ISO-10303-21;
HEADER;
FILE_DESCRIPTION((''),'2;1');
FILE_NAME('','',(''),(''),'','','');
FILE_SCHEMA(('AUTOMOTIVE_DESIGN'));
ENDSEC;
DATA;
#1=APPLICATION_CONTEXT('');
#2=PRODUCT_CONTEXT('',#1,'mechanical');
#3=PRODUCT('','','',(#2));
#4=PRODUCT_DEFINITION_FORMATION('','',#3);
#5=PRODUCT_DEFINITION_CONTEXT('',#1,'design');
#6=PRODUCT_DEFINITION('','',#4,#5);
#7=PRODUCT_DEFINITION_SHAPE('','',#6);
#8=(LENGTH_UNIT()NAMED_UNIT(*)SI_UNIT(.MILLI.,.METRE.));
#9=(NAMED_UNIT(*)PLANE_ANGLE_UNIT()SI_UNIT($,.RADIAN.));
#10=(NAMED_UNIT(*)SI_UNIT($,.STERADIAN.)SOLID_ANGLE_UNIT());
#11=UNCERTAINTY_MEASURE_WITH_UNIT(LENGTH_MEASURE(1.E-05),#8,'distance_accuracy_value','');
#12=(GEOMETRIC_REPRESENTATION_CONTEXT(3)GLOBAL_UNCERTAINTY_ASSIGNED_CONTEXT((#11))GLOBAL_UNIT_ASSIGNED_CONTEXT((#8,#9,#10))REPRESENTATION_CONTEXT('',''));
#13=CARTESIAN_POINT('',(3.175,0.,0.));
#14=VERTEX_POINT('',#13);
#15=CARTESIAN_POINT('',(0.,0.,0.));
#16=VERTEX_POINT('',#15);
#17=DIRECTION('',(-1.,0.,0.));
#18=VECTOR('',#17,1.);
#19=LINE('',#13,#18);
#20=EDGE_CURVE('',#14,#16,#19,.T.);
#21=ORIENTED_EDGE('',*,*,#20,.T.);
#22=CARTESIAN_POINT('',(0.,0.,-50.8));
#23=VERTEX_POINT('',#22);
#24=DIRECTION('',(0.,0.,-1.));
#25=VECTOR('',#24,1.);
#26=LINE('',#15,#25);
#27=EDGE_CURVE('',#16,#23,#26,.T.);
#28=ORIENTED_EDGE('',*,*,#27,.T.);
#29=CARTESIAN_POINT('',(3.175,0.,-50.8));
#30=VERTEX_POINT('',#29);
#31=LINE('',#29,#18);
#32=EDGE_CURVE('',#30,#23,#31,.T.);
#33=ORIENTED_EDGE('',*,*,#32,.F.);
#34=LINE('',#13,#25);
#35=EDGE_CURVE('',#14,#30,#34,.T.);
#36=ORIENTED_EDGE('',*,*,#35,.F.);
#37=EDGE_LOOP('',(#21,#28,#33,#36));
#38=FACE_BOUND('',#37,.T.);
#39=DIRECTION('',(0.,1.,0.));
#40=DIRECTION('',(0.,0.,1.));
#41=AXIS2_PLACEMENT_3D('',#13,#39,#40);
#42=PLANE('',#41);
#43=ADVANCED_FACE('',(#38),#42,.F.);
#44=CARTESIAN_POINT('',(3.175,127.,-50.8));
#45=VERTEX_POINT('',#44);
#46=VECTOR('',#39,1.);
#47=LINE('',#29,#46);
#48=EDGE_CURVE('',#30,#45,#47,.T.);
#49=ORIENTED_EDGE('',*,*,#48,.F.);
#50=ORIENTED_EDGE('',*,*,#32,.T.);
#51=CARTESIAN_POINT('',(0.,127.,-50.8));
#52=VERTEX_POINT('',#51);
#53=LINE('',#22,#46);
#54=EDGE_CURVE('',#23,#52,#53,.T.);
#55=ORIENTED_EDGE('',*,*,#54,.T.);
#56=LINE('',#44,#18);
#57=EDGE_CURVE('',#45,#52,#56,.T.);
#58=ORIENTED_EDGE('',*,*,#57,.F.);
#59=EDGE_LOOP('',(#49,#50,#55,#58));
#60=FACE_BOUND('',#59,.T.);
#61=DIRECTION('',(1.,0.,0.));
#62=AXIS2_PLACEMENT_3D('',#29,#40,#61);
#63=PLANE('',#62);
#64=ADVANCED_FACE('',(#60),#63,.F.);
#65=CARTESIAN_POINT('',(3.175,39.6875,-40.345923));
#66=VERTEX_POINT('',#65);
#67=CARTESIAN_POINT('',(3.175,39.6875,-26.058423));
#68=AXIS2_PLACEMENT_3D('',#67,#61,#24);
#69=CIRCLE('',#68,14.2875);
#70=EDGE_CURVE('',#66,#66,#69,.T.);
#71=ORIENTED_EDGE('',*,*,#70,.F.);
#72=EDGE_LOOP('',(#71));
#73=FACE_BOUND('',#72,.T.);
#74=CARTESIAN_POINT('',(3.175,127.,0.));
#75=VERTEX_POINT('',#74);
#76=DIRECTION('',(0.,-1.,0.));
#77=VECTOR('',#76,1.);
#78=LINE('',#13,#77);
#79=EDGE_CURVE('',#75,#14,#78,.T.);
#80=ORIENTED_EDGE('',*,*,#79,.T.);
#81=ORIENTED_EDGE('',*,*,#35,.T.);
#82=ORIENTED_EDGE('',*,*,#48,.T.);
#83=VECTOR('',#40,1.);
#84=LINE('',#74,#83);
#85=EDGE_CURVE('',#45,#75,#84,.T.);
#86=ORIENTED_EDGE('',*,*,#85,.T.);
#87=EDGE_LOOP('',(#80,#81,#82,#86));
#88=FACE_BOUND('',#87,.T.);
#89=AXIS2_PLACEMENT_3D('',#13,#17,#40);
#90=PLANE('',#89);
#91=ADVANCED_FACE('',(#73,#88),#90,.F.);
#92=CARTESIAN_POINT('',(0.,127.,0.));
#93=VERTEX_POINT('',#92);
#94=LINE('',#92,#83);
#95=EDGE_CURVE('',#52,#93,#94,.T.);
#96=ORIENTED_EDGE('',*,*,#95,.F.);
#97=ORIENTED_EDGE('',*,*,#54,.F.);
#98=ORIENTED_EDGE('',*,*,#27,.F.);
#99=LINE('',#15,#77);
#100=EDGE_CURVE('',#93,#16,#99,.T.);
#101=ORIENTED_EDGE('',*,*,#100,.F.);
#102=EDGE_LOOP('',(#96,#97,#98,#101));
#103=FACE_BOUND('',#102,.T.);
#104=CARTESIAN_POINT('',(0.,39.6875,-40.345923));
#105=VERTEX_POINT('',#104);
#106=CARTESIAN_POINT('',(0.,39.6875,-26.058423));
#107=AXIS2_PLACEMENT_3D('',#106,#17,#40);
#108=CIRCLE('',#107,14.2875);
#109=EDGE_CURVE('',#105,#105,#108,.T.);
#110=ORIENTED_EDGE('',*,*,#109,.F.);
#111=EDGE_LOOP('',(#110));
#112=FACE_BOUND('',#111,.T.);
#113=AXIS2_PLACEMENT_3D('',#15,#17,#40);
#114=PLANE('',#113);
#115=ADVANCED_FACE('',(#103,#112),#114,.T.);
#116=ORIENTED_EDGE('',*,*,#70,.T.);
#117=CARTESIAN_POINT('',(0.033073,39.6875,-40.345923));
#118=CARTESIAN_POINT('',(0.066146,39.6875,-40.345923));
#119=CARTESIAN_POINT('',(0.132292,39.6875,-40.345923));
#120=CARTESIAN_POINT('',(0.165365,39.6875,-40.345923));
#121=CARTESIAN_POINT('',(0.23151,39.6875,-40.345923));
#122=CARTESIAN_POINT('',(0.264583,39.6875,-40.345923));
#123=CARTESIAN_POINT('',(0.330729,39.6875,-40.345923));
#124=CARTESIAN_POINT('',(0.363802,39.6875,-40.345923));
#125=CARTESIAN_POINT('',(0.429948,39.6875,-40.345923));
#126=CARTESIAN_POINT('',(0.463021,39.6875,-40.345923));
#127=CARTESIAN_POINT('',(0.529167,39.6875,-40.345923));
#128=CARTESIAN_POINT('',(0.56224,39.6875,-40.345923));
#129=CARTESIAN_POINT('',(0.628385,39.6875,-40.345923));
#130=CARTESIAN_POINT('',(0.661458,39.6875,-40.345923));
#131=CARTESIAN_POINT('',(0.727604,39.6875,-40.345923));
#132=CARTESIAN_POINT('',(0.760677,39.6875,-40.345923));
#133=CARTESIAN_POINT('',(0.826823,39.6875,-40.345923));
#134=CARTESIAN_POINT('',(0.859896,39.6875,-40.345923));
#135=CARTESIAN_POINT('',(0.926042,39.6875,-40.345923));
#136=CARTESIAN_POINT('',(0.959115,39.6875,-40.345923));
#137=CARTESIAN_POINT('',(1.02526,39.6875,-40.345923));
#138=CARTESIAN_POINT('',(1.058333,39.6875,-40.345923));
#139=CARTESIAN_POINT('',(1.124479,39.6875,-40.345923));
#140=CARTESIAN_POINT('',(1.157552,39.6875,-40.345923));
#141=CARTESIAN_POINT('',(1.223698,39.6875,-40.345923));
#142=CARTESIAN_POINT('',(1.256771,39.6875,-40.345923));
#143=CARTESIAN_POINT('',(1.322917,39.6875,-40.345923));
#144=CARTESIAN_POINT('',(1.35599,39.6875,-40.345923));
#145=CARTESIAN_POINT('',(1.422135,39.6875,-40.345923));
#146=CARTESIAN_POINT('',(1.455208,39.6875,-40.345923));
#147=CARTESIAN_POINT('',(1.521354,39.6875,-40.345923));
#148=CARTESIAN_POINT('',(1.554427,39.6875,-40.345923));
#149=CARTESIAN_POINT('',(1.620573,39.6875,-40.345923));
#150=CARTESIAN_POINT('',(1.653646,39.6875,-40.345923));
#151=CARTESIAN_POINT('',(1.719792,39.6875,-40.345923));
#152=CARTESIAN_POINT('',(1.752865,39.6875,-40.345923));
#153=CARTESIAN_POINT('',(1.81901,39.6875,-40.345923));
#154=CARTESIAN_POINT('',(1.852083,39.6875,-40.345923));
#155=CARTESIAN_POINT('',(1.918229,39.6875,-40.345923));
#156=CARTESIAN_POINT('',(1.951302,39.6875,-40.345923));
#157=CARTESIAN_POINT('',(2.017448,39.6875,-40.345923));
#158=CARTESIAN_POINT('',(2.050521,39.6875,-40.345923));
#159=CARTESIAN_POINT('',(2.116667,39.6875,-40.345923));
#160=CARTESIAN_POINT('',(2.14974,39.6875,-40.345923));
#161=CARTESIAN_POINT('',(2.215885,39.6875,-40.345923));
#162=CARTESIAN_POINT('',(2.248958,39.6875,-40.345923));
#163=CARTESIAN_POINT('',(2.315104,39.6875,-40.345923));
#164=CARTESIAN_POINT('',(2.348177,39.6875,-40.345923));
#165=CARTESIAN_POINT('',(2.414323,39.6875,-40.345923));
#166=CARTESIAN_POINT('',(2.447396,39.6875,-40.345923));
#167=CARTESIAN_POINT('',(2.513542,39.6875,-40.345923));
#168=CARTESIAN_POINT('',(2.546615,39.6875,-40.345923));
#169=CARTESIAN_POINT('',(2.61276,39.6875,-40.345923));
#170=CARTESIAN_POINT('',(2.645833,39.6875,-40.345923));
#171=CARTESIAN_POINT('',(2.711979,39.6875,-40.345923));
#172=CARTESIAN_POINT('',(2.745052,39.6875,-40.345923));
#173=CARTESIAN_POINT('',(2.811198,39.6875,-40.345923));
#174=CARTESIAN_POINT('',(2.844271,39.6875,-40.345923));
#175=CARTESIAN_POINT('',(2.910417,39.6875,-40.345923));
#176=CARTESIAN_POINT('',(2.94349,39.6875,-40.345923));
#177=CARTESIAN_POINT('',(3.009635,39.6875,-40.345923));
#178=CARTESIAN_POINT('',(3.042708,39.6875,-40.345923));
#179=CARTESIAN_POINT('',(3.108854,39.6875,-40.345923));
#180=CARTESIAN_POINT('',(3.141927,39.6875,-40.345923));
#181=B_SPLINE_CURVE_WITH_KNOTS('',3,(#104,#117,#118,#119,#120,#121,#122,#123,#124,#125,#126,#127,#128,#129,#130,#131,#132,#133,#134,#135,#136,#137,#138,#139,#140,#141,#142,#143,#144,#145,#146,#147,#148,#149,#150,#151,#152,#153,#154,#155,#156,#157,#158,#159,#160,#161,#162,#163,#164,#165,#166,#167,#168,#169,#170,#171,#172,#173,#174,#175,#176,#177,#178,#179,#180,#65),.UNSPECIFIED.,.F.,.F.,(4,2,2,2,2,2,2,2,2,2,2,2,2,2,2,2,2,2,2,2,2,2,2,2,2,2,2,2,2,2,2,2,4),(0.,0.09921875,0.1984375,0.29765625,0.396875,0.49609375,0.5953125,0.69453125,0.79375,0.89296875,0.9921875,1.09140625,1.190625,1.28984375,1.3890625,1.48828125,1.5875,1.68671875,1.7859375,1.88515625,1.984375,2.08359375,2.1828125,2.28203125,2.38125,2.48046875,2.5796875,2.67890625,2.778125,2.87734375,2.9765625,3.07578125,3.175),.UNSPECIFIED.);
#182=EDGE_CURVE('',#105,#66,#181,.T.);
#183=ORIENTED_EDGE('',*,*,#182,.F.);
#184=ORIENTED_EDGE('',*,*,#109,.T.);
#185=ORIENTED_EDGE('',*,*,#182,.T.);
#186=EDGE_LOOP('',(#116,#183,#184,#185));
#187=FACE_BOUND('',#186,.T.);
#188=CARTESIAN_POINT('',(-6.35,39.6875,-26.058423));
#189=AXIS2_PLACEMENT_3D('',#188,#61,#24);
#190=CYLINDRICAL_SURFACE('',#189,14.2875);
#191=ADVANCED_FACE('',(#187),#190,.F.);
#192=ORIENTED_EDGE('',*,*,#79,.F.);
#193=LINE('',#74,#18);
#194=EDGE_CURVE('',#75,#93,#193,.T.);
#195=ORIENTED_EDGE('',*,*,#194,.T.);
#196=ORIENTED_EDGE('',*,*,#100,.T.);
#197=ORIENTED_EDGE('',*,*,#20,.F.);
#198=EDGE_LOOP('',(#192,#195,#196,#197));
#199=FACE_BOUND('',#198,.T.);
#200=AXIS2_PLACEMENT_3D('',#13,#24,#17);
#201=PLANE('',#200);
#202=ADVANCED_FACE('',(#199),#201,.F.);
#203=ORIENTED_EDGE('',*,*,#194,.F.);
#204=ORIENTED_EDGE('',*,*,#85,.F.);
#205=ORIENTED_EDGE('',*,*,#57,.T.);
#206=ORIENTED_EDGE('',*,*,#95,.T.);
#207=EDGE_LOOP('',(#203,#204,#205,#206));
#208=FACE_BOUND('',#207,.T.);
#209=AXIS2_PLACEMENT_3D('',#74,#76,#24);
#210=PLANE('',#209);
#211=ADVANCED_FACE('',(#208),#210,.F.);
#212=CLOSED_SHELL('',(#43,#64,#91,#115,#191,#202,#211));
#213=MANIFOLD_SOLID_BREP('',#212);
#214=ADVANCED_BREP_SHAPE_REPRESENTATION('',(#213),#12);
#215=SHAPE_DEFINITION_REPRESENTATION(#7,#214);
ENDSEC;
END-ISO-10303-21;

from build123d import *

# Parameters (mm, degrees)
SKETCH1_W           = 50.8
SKETCH1_H           = 127
BOSS_EXTRUDE1_DEPTH = 3.175
SKETCH2_R           = 14.2875
CUT_EXTRUDE1_DEPTH  = 9.525


with BuildPart() as part:
    # Sketch1 → Boss-Extrude1 (new body)
    with BuildSketch(Plane(origin=(0, 0, 0), x_dir=(0, 0, -1), z_dir=(1, 0, 0))):
        with Locations((25.4, 63.5)):
            Rectangle(SKETCH1_W, SKETCH1_H)
    extrude(amount=BOSS_EXTRUDE1_DEPTH)

    # Sketch2 → Cut-Extrude1 (cut)
    with BuildSketch(Plane(origin=(3.175, 0, 0), x_dir=(0, 0, -1), z_dir=(1, 0, 0))):
        with Locations((26.058423386, 39.6875)):
            Circle(SKETCH2_R)
    extrude(amount=-CUT_EXTRUDE1_DEPTH, mode=Mode.SUBTRACT)


solid = part.part
